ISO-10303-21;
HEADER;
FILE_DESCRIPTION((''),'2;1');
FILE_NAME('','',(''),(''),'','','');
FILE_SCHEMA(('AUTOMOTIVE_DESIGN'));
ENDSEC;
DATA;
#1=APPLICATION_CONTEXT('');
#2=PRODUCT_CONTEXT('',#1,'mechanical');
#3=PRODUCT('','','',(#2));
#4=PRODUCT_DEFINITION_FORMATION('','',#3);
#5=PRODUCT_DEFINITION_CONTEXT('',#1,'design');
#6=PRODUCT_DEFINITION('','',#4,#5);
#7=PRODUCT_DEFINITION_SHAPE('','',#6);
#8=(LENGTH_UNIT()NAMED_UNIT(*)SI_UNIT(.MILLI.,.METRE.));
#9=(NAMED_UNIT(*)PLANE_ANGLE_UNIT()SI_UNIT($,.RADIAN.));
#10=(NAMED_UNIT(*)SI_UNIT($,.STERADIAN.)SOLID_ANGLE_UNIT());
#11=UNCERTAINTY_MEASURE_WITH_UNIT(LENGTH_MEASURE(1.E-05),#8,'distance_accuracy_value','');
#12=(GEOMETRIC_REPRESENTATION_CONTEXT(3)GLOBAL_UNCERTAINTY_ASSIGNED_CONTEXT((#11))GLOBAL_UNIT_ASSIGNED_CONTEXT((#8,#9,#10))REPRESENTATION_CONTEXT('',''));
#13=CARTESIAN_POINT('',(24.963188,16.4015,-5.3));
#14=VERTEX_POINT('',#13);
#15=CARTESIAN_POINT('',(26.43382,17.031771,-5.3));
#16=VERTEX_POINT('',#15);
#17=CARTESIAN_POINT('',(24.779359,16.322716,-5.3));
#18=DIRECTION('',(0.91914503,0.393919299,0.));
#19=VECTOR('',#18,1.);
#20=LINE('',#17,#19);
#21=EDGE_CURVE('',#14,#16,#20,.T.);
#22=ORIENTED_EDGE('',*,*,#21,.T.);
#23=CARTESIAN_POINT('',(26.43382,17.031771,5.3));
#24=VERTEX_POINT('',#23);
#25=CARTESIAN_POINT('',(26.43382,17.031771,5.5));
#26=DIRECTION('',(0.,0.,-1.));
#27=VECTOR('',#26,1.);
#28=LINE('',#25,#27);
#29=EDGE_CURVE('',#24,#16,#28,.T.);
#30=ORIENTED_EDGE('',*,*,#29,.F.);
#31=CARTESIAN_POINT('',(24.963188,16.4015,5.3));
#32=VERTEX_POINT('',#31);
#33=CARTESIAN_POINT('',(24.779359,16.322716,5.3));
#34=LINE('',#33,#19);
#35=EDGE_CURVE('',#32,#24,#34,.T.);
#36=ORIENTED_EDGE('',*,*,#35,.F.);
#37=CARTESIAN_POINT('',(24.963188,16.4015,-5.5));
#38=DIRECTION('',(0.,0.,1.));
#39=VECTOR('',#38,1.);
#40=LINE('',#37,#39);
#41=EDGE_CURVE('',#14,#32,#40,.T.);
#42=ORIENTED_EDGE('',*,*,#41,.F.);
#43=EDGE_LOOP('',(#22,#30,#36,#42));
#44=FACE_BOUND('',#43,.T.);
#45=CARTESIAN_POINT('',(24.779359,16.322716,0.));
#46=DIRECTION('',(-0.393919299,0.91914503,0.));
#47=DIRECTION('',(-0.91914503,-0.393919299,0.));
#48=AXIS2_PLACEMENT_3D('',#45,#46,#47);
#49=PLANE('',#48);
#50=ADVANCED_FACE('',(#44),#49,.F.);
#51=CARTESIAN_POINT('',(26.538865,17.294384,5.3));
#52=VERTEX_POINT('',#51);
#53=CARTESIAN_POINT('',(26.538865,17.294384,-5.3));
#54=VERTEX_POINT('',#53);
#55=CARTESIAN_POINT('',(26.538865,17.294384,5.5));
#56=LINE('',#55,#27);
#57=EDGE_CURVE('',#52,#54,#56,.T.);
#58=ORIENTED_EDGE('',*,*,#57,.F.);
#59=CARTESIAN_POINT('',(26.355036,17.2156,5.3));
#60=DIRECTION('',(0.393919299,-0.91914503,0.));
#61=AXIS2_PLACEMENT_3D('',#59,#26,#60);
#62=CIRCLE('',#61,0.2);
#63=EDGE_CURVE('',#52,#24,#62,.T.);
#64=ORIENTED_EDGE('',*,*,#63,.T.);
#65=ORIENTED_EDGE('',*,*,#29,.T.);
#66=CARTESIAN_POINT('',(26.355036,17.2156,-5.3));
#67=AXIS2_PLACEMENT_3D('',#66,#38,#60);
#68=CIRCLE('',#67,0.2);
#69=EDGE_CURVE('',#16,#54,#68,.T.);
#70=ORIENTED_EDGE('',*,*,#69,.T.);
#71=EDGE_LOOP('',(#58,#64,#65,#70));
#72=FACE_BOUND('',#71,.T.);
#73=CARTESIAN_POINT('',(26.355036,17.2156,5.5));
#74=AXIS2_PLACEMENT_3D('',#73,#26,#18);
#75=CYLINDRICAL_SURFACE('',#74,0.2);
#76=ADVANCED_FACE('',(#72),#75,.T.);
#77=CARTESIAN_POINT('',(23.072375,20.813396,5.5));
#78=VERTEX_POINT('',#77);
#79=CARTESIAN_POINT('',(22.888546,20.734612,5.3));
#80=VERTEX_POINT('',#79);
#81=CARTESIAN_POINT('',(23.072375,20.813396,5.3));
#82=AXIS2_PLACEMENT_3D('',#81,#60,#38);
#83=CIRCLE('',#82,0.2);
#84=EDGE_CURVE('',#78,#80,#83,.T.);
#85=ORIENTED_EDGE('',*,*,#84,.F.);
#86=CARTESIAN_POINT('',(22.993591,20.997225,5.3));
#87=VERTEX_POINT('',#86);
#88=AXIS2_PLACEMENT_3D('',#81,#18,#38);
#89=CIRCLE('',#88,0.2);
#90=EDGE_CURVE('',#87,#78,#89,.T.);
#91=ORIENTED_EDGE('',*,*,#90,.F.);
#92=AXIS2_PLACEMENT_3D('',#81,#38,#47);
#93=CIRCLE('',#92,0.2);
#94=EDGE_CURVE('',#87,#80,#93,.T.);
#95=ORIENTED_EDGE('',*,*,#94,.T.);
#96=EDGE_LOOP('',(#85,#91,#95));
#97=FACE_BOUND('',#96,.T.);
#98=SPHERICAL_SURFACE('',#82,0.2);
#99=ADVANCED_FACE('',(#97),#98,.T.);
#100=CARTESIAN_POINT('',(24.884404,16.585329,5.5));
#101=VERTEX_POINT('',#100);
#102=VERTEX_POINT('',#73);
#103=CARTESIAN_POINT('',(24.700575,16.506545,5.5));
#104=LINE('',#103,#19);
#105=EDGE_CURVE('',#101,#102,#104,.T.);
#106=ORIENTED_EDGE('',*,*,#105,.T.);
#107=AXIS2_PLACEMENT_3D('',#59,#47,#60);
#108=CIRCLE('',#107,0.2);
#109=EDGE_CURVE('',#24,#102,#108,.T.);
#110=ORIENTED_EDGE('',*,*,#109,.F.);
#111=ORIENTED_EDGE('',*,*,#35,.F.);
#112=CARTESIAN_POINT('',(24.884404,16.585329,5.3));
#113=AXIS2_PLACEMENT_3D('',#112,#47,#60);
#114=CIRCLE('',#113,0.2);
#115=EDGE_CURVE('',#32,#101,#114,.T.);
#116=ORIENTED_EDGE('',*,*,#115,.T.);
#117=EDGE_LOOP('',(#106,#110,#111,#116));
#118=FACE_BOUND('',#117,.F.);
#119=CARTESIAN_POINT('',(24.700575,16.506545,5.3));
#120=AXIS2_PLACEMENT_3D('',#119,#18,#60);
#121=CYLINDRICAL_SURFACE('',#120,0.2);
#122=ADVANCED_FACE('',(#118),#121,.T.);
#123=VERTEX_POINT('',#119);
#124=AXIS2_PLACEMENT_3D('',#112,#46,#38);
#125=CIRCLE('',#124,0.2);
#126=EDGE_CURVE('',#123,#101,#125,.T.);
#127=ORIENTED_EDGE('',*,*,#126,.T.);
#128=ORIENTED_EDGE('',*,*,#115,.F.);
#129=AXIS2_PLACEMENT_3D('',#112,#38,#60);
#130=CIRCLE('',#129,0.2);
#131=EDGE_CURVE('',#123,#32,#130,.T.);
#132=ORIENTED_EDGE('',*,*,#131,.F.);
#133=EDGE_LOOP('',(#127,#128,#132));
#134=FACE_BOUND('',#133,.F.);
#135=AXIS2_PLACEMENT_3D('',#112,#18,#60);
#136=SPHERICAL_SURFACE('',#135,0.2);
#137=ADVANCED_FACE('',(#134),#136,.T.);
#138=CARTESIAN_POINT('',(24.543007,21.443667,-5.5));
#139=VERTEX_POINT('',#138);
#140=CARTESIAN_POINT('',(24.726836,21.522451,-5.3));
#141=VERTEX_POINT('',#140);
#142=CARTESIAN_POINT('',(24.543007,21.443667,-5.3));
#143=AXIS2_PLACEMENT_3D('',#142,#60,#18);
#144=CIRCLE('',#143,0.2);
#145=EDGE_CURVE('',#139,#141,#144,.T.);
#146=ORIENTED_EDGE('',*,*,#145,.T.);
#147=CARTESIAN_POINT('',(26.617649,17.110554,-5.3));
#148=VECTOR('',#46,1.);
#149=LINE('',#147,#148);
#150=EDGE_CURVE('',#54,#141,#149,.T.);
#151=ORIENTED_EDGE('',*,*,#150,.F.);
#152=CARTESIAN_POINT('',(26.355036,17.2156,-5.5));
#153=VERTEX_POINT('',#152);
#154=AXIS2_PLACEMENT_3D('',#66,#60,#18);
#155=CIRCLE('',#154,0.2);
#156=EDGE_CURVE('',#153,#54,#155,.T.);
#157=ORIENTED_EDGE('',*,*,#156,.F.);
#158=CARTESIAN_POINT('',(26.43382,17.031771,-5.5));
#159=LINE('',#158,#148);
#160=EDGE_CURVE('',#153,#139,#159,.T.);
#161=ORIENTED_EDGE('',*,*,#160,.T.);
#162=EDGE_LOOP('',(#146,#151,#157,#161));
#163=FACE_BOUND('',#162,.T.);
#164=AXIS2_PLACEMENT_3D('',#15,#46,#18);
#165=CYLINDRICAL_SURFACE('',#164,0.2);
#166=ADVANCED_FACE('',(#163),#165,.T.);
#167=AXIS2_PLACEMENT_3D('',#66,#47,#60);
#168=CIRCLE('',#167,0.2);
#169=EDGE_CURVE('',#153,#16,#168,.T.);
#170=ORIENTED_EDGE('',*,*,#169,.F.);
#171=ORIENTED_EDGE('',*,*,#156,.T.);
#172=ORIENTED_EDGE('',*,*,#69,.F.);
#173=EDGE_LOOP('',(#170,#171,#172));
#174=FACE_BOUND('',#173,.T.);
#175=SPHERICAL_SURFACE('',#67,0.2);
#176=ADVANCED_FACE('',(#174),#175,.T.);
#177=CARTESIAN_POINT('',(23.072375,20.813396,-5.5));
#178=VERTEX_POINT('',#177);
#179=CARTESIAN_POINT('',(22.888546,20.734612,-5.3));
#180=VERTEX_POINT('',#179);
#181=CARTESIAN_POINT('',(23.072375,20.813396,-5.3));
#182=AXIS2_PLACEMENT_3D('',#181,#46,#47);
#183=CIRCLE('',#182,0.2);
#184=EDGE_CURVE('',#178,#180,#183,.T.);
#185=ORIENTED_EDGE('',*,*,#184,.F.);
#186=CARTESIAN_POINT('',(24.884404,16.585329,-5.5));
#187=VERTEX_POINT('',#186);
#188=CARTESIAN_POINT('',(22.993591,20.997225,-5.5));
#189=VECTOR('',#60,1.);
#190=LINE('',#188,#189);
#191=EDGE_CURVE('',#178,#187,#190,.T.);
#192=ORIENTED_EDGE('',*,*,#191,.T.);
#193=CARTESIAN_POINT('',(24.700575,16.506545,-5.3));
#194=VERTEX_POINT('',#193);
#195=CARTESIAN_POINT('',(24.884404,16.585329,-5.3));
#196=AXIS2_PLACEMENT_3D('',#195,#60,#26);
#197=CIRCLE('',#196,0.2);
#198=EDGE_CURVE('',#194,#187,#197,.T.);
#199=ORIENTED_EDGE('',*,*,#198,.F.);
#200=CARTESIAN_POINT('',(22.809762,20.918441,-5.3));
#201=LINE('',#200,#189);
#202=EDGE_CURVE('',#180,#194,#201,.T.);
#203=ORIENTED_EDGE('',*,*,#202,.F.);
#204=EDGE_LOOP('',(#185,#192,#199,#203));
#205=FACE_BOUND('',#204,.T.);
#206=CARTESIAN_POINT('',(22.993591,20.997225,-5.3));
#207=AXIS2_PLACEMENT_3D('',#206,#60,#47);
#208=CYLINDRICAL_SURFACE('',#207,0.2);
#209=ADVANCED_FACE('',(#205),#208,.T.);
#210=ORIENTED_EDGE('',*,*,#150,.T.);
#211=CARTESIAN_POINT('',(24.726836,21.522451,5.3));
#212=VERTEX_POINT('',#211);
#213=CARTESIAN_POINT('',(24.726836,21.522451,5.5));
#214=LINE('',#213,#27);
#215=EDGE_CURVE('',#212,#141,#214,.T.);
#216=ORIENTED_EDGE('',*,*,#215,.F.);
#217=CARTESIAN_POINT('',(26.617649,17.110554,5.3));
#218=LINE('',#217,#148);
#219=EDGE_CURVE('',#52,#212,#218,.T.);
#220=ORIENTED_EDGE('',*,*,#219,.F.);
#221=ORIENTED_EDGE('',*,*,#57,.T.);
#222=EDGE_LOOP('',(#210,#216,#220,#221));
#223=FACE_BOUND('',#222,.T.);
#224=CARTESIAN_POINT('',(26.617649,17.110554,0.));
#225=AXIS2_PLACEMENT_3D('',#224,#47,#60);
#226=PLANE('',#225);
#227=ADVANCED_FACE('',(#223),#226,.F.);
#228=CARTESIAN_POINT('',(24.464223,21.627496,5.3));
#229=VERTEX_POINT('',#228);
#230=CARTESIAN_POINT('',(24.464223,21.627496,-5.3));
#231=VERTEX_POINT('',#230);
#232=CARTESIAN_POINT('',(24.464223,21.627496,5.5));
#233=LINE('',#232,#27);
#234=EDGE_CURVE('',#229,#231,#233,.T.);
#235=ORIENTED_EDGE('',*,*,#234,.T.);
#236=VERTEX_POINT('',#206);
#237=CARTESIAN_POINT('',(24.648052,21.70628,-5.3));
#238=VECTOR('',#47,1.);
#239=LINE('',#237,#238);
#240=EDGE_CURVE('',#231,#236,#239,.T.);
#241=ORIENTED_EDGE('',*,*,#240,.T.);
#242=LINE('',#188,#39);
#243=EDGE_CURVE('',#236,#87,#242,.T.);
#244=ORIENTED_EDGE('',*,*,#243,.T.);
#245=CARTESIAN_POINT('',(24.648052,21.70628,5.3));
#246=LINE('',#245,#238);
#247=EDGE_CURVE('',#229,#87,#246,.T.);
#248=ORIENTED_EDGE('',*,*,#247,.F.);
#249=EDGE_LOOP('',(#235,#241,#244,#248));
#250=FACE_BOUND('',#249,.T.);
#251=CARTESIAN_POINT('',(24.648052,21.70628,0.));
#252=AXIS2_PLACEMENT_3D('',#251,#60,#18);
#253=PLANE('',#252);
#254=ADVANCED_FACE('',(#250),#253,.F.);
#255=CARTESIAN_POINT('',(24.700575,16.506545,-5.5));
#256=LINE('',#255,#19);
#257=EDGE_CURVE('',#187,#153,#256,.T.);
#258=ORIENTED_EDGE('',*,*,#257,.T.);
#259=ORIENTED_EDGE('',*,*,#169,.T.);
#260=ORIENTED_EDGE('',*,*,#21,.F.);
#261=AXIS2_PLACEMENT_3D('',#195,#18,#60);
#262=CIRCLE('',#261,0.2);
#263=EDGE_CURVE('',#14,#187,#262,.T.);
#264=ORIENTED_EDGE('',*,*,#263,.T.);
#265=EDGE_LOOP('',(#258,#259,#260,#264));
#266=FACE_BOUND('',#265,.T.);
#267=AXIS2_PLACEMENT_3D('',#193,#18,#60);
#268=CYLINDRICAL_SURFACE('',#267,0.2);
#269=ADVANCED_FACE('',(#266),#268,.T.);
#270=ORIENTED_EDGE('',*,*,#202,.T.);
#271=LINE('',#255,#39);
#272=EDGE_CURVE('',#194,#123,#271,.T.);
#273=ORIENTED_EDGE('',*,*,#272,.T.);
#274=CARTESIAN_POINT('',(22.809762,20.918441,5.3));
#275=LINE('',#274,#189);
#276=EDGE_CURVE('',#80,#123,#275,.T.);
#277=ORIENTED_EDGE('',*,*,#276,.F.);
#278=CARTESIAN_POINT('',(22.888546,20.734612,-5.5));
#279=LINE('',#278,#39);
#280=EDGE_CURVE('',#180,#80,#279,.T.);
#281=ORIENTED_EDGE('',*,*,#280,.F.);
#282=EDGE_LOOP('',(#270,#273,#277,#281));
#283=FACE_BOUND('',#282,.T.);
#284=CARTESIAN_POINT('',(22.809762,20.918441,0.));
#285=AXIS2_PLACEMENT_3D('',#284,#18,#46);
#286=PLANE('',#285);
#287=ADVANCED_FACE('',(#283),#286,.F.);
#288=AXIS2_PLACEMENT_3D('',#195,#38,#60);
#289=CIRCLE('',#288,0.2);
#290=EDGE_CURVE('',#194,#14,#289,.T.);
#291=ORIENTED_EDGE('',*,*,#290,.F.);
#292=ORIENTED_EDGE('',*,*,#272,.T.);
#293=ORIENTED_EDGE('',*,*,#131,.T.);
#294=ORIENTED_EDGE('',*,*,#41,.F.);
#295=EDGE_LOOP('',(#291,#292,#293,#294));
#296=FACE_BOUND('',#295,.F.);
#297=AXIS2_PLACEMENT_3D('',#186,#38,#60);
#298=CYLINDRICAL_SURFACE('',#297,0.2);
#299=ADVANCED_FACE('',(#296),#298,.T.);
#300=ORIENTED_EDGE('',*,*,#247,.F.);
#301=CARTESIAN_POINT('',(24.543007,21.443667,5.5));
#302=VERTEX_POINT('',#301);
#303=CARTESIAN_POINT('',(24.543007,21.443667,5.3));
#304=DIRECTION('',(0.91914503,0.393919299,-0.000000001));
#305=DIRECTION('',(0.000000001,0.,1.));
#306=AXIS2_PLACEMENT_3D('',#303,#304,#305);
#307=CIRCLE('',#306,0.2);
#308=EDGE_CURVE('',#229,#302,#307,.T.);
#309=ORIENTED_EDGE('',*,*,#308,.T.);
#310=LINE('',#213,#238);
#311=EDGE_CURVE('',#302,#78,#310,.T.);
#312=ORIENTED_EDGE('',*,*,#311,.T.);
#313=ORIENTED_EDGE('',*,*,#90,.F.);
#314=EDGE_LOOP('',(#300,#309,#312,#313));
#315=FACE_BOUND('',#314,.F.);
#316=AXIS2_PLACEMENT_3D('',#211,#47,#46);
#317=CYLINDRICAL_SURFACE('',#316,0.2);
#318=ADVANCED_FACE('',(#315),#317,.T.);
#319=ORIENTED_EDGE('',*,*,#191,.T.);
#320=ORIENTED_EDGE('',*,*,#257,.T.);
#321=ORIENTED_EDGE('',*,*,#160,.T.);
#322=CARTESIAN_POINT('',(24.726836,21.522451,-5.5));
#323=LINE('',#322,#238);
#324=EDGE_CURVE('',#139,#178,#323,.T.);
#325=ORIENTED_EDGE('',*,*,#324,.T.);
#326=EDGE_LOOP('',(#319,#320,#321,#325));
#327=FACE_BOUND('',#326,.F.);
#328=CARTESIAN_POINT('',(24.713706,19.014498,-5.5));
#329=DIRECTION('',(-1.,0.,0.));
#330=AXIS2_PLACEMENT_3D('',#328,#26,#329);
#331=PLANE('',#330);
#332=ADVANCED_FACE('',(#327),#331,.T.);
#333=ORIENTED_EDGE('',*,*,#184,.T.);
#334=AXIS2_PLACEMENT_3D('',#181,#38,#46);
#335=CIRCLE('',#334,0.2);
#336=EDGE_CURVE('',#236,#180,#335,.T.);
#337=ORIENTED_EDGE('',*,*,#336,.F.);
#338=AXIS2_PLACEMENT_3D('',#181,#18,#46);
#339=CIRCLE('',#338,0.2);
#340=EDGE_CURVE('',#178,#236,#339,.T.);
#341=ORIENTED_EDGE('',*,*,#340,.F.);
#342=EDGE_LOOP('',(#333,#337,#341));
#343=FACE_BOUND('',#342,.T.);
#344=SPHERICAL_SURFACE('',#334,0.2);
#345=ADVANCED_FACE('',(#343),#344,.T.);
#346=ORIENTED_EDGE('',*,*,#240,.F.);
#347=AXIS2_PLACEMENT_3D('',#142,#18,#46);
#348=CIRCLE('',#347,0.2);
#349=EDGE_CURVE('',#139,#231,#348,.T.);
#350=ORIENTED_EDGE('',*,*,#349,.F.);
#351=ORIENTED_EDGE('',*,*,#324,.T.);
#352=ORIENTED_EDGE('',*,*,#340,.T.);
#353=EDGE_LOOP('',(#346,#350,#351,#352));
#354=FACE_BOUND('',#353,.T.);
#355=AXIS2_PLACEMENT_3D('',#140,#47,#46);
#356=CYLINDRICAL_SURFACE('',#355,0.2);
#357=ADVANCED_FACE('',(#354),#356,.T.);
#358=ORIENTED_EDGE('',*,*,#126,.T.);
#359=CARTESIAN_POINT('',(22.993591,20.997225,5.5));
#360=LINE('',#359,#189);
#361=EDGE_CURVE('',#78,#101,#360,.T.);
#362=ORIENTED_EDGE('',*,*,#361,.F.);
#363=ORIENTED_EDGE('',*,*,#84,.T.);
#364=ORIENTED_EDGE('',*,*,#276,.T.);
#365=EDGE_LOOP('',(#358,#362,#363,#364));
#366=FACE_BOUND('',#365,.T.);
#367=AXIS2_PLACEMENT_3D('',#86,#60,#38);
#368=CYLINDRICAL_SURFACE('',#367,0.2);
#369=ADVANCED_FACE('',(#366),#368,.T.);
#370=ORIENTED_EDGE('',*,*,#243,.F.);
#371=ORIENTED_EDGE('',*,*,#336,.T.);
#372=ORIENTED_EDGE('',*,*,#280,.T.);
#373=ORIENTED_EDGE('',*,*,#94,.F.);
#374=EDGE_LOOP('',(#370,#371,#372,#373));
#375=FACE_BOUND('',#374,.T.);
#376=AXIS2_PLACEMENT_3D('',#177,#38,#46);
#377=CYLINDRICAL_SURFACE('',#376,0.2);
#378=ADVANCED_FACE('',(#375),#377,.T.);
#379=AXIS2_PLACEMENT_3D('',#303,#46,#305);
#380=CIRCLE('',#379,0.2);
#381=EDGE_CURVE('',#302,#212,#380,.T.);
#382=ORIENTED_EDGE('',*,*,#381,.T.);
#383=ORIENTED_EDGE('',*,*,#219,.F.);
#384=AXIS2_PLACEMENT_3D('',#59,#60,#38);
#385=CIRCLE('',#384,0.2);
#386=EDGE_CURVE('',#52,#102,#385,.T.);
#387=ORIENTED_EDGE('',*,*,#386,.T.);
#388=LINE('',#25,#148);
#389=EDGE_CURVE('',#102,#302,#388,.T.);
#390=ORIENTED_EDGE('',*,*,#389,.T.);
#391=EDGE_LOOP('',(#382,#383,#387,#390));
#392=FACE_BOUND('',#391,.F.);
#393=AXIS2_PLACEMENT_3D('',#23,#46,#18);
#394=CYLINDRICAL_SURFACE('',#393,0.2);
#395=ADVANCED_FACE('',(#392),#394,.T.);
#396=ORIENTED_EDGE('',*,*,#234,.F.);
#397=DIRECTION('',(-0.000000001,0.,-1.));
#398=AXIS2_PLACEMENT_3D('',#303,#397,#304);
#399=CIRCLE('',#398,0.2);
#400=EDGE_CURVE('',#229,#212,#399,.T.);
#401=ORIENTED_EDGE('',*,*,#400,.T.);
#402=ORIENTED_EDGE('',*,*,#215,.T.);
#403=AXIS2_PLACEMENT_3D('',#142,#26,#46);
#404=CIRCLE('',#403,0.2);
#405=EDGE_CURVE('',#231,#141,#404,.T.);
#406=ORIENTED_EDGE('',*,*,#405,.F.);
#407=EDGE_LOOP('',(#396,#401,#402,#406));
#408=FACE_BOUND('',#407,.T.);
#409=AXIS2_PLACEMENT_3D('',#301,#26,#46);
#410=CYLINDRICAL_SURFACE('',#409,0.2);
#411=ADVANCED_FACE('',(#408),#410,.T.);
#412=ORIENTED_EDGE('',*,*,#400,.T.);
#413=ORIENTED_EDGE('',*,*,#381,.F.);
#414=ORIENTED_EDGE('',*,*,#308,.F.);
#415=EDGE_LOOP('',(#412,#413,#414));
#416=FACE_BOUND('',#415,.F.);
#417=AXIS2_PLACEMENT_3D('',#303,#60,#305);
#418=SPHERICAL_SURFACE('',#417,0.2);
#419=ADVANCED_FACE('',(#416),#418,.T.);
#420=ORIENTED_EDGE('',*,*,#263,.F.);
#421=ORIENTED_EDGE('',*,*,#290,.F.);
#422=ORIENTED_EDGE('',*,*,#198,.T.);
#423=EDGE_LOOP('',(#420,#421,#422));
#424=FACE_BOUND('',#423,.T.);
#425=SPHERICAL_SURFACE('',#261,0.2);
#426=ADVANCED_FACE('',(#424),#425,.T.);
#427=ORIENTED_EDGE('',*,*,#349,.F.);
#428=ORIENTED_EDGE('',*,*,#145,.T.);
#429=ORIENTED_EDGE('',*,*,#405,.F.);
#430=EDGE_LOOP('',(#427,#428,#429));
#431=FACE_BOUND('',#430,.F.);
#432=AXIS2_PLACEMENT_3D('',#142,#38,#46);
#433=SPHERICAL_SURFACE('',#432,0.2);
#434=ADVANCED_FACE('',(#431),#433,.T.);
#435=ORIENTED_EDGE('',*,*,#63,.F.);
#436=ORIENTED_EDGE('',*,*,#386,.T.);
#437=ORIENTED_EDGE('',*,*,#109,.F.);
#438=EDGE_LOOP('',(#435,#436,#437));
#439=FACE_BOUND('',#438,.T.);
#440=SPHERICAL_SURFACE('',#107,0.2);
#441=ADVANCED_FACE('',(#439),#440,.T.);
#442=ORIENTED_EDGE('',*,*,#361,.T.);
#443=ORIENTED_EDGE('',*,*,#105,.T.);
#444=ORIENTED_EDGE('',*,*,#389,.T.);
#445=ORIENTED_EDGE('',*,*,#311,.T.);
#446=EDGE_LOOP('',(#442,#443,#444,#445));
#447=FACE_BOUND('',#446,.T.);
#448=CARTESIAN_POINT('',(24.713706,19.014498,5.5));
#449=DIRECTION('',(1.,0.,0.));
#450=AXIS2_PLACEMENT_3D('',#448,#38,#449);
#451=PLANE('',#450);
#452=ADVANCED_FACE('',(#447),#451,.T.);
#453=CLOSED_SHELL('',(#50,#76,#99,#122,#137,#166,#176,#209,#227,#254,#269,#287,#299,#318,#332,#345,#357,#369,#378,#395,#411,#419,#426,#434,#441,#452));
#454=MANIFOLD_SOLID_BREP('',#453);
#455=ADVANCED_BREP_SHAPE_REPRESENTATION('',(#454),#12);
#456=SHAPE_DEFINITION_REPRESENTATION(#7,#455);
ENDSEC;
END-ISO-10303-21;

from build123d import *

# Parameters (mm, degrees)
F2_DEPTH = 5.5
F4_R     = 0.2


with BuildPart() as f2:
    # F1 (on Top) → F2 (new body)
    with BuildSketch(Plane.XY):
        Polygon((24.6480524192, 21.7062796455), (22.8097623591, 20.9184410483), (24.779358852, 16.3227158982), (26.617648912, 17.1105544954), align=None)
    extrude(amount=F2_DEPTH)

    # F3: F2 across plane


with BuildPart() as f2_1:
    add(f2.part)
    add(f2.part.mirror(Plane.XY))

    # F4
    f4_edges = [f2_1.edges().sort_by_distance(p)[0] for p in [
        (25.698504, 16.716635, 5.5),
        (26.617649, 17.110554, 0),
        (25.698504, 16.716635, -5.5),
        (24.779359, 16.322716, 0),
        (23.794561, 18.620578, 5.5),
        (25.632851, 19.408417, 5.5),
        (23.728907, 21.31236, 5.5),
        (24.648052, 21.70628, 0),
        (22.809762, 20.918441, 0),
        (23.728907, 21.31236, -5.5),
        (23.794561, 18.620578, -5.5),
        (25.632851, 19.408417, -5.5),
    ]]
    fillet(f4_edges, radius=F4_R)


solid = f2_1.part
